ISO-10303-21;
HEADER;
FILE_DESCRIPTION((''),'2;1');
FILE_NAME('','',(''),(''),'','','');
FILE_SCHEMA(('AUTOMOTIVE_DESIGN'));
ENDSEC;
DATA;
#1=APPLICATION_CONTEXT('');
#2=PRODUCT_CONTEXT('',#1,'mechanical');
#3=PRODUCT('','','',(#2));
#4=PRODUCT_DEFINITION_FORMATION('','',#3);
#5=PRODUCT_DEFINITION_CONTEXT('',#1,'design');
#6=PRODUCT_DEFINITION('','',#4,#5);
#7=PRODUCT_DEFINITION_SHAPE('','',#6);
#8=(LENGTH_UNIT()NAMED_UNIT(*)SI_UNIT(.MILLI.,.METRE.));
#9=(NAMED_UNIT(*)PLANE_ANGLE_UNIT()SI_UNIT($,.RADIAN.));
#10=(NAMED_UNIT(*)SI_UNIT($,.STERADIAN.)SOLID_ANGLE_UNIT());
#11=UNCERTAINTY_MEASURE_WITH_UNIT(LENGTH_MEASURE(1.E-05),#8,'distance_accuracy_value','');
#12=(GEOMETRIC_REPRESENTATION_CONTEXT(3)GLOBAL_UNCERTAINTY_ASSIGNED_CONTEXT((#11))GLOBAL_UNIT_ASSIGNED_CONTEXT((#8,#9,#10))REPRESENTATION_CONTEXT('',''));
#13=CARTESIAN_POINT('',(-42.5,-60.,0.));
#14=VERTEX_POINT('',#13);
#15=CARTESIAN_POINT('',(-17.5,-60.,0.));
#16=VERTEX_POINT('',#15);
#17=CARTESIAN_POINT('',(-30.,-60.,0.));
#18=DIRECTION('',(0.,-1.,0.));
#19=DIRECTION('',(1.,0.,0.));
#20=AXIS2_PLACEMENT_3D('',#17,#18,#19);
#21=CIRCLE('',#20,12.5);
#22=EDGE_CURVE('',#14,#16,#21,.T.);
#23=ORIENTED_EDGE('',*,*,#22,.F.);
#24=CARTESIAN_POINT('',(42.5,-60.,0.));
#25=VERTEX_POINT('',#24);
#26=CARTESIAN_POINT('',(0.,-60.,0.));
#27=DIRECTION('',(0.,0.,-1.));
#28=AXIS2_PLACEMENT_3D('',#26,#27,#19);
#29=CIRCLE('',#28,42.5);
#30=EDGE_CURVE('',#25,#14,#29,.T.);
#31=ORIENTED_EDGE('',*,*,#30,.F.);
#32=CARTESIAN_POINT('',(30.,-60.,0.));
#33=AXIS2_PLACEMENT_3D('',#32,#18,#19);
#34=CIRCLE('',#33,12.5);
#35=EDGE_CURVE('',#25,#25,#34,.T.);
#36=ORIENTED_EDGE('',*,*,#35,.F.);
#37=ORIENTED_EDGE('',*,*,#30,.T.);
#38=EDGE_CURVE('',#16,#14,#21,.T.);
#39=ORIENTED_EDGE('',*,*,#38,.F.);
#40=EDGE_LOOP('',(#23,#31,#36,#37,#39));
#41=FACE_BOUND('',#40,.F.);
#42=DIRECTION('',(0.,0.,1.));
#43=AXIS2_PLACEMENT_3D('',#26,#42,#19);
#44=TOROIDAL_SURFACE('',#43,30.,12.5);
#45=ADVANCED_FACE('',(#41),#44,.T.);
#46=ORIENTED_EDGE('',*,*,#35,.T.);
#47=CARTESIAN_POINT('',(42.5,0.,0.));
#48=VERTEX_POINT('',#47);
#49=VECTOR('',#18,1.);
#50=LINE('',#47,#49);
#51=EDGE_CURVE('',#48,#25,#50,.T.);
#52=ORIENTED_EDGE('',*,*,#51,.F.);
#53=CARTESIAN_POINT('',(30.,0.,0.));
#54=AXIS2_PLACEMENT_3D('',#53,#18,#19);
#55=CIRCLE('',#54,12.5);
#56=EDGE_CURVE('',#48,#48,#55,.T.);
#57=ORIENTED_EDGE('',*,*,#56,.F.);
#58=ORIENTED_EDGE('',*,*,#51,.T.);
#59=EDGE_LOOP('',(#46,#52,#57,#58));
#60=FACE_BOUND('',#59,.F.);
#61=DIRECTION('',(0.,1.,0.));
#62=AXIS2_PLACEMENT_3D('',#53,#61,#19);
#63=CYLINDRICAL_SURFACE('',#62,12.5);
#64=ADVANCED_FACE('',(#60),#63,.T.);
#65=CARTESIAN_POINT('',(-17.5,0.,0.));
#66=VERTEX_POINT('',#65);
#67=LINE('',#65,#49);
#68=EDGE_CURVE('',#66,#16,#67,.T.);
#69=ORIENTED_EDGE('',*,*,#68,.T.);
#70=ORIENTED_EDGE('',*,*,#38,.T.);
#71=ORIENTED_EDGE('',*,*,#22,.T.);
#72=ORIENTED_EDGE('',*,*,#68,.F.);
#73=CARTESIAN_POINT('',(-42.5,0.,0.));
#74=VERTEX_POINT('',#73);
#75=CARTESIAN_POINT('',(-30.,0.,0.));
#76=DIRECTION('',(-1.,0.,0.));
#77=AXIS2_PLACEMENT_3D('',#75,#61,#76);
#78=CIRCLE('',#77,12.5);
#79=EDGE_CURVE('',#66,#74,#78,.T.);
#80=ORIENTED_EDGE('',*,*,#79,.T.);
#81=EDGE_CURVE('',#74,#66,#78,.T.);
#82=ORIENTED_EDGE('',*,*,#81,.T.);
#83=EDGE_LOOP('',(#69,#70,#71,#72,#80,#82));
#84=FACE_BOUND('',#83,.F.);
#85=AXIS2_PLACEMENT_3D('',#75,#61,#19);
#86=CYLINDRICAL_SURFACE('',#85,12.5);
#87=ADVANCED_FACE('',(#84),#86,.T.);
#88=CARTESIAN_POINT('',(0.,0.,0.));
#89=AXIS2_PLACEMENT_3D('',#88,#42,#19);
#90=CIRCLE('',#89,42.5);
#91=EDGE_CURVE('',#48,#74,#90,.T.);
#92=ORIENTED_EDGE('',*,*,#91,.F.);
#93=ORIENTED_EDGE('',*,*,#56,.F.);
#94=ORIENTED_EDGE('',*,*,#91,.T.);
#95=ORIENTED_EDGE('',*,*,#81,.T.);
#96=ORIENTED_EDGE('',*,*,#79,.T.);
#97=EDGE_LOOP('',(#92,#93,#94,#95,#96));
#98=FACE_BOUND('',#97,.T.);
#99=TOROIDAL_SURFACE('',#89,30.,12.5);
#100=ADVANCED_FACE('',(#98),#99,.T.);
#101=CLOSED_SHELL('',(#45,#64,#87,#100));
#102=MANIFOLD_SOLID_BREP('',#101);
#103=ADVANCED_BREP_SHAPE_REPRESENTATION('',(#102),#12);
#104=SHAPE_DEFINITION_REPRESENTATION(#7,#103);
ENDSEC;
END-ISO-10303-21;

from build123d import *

# Parameters (mm, degrees)
F0_R      = 12.5
F1_ANGLE  = -180
F1_FACE_R = 12.5
F2_DEPTH  = 60
F3_R      = 12.5
F4_ANGLE  = 180


with BuildPart() as f1:
    # F0 (on Front) → F1 (revolve)
    with BuildSketch(Plane.XZ):
        with Locations((30, 0)):
            Circle(F0_R)
    revolve(axis=Axis((0, 0, -0.948295), (0, 0, -1)), revolution_arc=F1_ANGLE)

    # F1_face (on face) → F2 (join)
    with BuildSketch(Plane(origin=(30, 0, 0), x_dir=(1, 0, 0), z_dir=(0, -1, 0))):
        Circle(F1_FACE_R)
        with Locations((-60, 0)):
            Circle(F1_FACE_R)
    extrude(amount=F2_DEPTH)

    # F3 (on face) → F4 (revolve)
    with BuildSketch(Plane.XZ.offset(60)):
        with Locations((30, 0)):
            Circle(F3_R)
    revolve(axis=Axis((0, -60, -8.781475), (0, 0, -1)), revolution_arc=F4_ANGLE)


solid = f1.part
